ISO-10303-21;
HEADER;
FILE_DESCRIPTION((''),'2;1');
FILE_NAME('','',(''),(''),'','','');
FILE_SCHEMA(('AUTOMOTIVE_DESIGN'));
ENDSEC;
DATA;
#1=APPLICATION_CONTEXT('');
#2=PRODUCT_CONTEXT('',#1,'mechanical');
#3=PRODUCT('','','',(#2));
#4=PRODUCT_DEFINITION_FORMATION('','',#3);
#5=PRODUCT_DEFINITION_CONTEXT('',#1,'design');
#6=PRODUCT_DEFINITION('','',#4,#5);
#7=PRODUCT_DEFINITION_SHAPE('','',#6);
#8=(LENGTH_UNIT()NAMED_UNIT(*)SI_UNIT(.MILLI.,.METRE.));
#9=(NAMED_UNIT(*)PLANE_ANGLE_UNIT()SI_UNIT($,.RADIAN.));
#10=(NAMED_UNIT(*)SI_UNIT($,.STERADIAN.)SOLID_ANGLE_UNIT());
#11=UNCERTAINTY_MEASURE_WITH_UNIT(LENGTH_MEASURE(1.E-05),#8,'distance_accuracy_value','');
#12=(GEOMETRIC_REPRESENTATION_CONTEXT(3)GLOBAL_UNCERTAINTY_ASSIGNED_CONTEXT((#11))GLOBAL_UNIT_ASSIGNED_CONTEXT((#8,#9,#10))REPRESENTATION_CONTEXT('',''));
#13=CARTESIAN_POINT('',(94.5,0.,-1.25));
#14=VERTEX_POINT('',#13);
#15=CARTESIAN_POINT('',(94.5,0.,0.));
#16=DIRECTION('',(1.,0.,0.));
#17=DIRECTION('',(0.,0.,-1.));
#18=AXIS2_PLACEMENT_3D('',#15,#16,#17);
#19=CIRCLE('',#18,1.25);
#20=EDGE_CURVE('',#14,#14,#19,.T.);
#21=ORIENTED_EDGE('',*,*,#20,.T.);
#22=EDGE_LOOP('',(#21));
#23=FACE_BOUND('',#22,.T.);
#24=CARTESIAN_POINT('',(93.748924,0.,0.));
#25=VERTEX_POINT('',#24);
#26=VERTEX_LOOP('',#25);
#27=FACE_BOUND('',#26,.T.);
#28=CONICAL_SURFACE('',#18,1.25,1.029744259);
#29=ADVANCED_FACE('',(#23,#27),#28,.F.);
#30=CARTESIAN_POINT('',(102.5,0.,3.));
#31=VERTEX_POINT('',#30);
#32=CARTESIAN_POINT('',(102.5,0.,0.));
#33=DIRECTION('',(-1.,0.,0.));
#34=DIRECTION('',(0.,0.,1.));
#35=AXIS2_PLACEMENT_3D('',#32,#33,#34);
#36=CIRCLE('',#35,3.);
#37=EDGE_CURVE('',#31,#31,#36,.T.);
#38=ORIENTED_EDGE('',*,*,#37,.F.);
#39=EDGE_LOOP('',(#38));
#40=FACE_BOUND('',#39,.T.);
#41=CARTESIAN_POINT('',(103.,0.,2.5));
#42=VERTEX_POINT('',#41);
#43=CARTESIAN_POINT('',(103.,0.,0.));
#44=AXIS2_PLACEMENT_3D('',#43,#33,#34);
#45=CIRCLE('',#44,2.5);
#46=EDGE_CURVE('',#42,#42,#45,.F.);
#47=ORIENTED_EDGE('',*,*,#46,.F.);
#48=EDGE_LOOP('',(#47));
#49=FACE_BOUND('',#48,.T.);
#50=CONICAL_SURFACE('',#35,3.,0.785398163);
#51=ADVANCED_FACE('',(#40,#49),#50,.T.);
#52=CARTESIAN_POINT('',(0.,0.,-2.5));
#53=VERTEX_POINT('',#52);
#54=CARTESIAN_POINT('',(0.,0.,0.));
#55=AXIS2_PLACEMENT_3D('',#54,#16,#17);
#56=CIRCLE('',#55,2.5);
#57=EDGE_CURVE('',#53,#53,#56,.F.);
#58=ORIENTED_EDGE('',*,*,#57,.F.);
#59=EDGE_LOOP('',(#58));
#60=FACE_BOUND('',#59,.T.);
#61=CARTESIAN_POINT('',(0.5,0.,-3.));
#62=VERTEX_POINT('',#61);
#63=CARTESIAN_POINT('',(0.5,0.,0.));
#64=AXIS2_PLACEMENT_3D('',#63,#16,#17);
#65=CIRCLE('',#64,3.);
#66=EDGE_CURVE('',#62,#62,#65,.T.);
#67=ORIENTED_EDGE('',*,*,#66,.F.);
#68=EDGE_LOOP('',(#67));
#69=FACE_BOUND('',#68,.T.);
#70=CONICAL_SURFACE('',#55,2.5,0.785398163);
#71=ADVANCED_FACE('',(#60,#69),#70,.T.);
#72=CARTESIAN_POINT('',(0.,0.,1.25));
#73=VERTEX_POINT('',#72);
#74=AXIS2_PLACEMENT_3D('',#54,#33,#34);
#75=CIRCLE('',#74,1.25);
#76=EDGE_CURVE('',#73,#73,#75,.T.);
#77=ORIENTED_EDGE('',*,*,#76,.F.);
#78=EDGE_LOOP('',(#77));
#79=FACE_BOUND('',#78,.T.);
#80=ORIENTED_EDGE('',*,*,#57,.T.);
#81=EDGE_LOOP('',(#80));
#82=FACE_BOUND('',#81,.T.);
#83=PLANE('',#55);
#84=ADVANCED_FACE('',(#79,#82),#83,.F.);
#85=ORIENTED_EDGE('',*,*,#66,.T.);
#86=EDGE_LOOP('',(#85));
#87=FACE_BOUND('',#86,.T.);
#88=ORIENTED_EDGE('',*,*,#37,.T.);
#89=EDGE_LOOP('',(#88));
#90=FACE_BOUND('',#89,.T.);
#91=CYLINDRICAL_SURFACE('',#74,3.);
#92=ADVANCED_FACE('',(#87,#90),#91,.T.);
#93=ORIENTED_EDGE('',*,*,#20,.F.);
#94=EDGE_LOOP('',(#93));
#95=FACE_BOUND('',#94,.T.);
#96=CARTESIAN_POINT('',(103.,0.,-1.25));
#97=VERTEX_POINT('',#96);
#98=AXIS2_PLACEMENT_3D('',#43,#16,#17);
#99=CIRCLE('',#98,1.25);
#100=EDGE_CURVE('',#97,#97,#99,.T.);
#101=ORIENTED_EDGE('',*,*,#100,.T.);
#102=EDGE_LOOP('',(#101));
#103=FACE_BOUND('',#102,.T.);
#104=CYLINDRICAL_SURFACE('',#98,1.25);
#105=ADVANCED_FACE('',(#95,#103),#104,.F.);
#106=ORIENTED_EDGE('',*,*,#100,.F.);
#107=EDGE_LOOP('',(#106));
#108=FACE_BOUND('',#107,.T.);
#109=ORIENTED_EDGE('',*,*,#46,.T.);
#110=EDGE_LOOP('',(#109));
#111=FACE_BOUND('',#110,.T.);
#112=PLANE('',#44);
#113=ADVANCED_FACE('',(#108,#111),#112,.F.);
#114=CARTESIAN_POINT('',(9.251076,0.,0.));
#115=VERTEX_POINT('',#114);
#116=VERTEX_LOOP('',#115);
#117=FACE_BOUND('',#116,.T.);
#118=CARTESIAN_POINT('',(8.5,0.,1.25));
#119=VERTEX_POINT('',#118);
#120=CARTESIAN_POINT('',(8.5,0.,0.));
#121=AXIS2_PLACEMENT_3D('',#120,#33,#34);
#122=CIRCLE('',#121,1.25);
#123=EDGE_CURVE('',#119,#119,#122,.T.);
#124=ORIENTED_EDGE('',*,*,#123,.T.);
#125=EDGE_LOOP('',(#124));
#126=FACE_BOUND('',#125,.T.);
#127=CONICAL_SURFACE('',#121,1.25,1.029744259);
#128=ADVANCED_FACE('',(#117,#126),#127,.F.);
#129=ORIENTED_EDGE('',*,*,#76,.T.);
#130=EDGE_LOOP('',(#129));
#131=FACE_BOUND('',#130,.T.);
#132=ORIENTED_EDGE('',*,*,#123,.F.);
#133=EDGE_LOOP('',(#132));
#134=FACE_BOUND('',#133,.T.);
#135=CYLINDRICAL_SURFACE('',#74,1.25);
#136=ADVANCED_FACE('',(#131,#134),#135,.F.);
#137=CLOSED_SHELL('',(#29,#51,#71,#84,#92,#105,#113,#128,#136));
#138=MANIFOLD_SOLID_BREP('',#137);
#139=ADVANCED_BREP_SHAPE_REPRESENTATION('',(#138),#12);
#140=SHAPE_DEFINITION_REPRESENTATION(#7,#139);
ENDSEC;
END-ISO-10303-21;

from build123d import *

# Parameters (mm, degrees)
SKETCH1_W          = 103
SKETCH1_H          = 3
TAPPED_HOLE1_D     = 2.5
TAPPED_HOLE1_DEPTH = 8.5
TAPPED_HOLE1_TIP   = 0.751075774
TAPPED_HOLE2_D     = 2.5
TAPPED_HOLE2_DEPTH = 8.5
TAPPED_HOLE2_TIP   = 0.751075774
CHAMFER1_SIZE      = 0.5


with BuildPart() as part:
    # Sketch1 → Revolve1 (revolve)
    with BuildSketch(Plane.XY):
        with Locations((51.5, 1.5)):
            Rectangle(SKETCH1_W, SKETCH1_H)
    revolve(axis=Axis((0, 0, 0), (1, 0, 0)))

    # Tapped Hole1
    with Locations(Plane.ZY):
        with Locations((0, 0)):
            Hole(TAPPED_HOLE1_D / 2, depth=TAPPED_HOLE1_DEPTH)
            with Locations((0, 0, -(TAPPED_HOLE1_DEPTH + TAPPED_HOLE1_TIP / 2))):  # 118° drill point
                Cone(0, TAPPED_HOLE1_D / 2, TAPPED_HOLE1_TIP, mode=Mode.SUBTRACT)

    # Tapped Hole2
    with Locations(Plane(origin=(103, 0, 0), x_dir=(0, 0, -1), z_dir=(1, 0, 0))):
        with Locations((0, 0)):
            Hole(TAPPED_HOLE2_D / 2, depth=TAPPED_HOLE2_DEPTH)
            with Locations((0, 0, -(TAPPED_HOLE2_DEPTH + TAPPED_HOLE2_TIP / 2))):  # 118° drill point
                Cone(0, TAPPED_HOLE2_D / 2, TAPPED_HOLE2_TIP, mode=Mode.SUBTRACT)

    # Chamfer1
    chamfer1_edges = [part.edges().sort_by_distance(p)[0] for p in [
        (0, -3, 0),
        (103, -3, 0),
    ]]
    chamfer(chamfer1_edges, length=CHAMFER1_SIZE)


solid = part.part
